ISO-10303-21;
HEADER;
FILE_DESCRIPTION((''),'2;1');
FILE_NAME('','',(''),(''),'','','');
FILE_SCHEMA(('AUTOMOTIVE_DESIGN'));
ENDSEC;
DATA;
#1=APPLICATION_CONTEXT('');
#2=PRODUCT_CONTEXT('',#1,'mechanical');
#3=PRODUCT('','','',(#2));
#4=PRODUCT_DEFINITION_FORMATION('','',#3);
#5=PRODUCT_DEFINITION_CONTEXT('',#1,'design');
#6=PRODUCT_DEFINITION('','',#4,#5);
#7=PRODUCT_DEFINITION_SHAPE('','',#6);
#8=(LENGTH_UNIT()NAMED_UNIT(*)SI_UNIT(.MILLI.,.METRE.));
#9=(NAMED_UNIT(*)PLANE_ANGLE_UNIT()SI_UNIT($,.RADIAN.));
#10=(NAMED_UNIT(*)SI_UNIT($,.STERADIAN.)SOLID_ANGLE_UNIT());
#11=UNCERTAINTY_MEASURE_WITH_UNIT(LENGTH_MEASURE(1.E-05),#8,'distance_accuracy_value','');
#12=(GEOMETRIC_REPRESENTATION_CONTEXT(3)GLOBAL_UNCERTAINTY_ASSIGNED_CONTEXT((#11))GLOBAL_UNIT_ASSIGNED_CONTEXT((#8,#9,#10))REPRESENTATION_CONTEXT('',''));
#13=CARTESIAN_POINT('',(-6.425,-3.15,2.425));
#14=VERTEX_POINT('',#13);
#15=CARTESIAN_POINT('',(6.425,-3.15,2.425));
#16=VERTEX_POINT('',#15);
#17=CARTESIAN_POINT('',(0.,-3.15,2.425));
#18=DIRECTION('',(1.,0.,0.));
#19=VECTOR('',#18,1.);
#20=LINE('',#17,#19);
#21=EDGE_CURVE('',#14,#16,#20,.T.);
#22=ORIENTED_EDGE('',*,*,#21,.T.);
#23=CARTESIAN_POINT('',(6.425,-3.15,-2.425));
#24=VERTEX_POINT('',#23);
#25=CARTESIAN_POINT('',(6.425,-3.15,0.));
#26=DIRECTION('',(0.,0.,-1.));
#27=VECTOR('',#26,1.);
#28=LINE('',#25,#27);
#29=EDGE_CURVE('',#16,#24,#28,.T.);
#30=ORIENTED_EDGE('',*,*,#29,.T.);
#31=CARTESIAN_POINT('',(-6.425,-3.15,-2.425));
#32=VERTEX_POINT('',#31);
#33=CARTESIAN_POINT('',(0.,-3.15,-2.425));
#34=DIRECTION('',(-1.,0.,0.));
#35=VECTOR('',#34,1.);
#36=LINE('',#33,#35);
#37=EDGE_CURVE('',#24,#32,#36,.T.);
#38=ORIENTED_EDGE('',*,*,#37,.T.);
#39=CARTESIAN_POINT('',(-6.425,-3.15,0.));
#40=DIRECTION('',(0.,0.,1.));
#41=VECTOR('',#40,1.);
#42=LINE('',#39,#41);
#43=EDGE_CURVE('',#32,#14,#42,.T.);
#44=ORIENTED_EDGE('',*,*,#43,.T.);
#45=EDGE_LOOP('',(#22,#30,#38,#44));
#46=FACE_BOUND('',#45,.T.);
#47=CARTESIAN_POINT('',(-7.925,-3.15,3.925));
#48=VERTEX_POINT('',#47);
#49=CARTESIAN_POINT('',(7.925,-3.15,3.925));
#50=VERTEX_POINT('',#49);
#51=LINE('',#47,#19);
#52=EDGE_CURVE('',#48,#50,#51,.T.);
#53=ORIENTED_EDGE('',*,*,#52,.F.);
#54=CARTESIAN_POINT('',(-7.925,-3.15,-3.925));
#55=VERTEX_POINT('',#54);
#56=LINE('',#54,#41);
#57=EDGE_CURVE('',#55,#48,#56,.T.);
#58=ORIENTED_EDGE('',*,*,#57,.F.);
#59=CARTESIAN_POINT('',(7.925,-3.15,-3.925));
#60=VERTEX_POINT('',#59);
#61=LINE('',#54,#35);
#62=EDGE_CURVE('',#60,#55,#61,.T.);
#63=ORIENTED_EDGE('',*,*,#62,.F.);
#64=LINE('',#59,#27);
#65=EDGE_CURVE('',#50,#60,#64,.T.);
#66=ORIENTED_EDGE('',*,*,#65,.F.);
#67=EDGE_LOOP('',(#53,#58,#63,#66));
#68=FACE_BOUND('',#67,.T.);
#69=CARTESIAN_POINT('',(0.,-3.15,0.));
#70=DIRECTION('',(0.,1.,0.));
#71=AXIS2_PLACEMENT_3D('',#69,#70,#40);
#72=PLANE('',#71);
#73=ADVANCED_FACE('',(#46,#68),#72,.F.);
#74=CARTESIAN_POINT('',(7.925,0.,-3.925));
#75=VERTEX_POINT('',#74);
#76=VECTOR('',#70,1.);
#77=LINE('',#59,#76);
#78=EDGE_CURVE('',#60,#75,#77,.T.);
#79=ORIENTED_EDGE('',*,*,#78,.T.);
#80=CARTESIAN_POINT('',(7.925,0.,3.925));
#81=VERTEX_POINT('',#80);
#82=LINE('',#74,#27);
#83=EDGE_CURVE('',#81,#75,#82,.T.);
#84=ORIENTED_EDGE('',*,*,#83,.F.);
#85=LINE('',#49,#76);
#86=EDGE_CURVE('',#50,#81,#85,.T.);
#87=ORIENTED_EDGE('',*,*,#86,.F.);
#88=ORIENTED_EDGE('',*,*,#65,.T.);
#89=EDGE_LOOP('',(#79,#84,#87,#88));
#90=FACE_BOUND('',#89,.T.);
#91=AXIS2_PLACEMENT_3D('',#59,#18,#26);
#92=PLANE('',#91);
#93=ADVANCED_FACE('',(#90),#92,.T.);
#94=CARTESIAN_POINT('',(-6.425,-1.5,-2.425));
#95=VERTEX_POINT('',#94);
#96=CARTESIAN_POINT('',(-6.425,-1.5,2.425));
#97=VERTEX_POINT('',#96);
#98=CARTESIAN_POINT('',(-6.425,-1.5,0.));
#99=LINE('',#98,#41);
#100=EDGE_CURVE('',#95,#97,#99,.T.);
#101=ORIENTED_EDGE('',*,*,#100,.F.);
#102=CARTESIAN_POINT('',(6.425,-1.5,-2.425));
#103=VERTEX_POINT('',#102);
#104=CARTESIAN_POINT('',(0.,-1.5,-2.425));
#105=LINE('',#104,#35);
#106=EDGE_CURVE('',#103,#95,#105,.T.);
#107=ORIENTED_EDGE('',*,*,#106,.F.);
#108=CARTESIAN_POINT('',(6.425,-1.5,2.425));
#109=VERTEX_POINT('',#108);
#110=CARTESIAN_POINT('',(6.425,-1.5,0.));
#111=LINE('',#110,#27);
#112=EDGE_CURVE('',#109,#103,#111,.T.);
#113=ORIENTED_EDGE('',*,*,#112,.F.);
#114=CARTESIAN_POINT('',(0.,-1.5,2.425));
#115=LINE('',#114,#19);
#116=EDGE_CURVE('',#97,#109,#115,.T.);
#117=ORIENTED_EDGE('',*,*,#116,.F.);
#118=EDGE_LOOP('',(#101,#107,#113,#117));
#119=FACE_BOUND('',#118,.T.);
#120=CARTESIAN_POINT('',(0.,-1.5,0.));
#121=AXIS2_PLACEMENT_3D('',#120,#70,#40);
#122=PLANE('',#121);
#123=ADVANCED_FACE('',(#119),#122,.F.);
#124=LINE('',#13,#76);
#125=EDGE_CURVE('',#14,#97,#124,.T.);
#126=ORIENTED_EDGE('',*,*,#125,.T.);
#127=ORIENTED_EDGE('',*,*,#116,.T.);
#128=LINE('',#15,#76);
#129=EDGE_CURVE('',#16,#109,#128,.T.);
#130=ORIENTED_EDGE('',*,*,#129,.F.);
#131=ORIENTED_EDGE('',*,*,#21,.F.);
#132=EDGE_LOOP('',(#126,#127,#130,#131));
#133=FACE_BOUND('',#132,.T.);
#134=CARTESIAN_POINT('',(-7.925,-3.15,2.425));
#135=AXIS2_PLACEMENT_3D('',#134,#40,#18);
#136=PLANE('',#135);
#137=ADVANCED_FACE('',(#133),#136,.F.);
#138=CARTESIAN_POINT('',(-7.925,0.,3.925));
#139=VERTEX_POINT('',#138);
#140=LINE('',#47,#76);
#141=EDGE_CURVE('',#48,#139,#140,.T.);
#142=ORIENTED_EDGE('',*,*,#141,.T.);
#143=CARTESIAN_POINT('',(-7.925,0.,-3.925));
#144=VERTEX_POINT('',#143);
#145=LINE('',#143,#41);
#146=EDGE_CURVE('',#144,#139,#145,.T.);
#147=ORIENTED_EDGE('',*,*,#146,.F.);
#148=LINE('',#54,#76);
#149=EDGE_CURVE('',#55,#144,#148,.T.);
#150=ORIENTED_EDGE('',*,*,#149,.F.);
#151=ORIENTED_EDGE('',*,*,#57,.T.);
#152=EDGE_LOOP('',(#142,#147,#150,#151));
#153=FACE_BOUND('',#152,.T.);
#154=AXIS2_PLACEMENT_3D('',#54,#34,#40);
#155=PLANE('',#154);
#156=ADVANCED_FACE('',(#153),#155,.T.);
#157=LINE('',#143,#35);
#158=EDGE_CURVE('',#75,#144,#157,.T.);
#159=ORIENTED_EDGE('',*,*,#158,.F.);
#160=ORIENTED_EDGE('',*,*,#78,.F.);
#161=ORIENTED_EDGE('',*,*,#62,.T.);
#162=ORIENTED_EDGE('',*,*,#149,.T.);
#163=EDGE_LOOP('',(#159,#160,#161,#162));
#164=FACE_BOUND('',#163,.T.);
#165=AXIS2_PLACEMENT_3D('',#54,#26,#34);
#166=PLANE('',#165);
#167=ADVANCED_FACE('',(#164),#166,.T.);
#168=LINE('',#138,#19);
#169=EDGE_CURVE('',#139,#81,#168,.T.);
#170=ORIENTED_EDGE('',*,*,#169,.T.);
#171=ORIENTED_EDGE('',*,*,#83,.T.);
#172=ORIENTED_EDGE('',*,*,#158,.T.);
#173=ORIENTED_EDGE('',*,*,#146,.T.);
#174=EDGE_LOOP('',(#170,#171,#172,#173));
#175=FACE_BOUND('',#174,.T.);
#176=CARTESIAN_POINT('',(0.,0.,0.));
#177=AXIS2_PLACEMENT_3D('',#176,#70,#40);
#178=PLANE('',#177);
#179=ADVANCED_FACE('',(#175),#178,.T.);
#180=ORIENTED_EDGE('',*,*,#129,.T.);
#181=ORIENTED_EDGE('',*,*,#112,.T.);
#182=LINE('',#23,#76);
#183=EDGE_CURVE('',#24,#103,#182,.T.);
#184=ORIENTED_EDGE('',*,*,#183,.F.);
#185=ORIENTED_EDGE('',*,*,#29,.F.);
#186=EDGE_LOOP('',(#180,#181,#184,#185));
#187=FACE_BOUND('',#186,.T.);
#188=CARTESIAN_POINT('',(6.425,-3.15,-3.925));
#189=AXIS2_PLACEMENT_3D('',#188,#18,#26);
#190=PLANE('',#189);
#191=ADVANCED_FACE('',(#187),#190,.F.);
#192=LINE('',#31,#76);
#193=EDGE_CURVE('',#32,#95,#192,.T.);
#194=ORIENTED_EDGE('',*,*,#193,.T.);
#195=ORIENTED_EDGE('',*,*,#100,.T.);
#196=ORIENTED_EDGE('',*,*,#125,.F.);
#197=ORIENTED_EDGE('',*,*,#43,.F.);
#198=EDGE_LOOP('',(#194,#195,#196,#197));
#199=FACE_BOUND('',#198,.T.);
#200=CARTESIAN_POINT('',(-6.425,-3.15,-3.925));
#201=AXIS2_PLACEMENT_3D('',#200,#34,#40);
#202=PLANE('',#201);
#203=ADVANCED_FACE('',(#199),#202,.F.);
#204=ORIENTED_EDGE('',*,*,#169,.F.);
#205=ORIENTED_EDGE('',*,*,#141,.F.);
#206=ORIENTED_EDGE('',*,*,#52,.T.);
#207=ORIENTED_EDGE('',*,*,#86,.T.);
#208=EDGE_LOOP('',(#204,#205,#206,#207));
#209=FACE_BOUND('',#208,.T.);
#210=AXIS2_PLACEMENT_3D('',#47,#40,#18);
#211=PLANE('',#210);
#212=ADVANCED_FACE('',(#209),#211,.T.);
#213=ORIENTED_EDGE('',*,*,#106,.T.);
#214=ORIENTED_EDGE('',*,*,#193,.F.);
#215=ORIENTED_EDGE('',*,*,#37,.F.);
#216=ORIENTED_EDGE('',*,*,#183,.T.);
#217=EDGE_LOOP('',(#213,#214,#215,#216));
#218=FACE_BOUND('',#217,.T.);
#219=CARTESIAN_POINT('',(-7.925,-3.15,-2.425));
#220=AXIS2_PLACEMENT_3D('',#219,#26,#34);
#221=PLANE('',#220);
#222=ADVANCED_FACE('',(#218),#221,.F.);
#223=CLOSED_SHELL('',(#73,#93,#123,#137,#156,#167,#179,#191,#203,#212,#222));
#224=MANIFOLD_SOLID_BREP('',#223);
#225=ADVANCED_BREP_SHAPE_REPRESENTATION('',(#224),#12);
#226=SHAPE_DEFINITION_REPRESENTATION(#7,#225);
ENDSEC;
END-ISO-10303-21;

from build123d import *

# Parameters (mm, degrees)
SKETCH1_W           = 15.85
SKETCH1_H           = 7.85
BOSS_EXTRUDE1_DEPTH = 3.15
SHELL1_T            = -1.5


with BuildPart() as part:
    # Sketch1 → Boss-Extrude1 (new body)
    with BuildSketch(Plane(origin=(0, 0, 0), x_dir=(1, 0, 0), z_dir=(0, 1, 0))):
        Rectangle(SKETCH1_W, SKETCH1_H)
    extrude(amount=-BOSS_EXTRUDE1_DEPTH)

    # Shell1
    shell1_openings = [part.faces().sort_by_distance(p)[0] for p in [
        (0, -3.15, 0),
    ]]
    offset(amount=SHELL1_T, openings=shell1_openings, kind=Kind.INTERSECTION)


solid = part.part
